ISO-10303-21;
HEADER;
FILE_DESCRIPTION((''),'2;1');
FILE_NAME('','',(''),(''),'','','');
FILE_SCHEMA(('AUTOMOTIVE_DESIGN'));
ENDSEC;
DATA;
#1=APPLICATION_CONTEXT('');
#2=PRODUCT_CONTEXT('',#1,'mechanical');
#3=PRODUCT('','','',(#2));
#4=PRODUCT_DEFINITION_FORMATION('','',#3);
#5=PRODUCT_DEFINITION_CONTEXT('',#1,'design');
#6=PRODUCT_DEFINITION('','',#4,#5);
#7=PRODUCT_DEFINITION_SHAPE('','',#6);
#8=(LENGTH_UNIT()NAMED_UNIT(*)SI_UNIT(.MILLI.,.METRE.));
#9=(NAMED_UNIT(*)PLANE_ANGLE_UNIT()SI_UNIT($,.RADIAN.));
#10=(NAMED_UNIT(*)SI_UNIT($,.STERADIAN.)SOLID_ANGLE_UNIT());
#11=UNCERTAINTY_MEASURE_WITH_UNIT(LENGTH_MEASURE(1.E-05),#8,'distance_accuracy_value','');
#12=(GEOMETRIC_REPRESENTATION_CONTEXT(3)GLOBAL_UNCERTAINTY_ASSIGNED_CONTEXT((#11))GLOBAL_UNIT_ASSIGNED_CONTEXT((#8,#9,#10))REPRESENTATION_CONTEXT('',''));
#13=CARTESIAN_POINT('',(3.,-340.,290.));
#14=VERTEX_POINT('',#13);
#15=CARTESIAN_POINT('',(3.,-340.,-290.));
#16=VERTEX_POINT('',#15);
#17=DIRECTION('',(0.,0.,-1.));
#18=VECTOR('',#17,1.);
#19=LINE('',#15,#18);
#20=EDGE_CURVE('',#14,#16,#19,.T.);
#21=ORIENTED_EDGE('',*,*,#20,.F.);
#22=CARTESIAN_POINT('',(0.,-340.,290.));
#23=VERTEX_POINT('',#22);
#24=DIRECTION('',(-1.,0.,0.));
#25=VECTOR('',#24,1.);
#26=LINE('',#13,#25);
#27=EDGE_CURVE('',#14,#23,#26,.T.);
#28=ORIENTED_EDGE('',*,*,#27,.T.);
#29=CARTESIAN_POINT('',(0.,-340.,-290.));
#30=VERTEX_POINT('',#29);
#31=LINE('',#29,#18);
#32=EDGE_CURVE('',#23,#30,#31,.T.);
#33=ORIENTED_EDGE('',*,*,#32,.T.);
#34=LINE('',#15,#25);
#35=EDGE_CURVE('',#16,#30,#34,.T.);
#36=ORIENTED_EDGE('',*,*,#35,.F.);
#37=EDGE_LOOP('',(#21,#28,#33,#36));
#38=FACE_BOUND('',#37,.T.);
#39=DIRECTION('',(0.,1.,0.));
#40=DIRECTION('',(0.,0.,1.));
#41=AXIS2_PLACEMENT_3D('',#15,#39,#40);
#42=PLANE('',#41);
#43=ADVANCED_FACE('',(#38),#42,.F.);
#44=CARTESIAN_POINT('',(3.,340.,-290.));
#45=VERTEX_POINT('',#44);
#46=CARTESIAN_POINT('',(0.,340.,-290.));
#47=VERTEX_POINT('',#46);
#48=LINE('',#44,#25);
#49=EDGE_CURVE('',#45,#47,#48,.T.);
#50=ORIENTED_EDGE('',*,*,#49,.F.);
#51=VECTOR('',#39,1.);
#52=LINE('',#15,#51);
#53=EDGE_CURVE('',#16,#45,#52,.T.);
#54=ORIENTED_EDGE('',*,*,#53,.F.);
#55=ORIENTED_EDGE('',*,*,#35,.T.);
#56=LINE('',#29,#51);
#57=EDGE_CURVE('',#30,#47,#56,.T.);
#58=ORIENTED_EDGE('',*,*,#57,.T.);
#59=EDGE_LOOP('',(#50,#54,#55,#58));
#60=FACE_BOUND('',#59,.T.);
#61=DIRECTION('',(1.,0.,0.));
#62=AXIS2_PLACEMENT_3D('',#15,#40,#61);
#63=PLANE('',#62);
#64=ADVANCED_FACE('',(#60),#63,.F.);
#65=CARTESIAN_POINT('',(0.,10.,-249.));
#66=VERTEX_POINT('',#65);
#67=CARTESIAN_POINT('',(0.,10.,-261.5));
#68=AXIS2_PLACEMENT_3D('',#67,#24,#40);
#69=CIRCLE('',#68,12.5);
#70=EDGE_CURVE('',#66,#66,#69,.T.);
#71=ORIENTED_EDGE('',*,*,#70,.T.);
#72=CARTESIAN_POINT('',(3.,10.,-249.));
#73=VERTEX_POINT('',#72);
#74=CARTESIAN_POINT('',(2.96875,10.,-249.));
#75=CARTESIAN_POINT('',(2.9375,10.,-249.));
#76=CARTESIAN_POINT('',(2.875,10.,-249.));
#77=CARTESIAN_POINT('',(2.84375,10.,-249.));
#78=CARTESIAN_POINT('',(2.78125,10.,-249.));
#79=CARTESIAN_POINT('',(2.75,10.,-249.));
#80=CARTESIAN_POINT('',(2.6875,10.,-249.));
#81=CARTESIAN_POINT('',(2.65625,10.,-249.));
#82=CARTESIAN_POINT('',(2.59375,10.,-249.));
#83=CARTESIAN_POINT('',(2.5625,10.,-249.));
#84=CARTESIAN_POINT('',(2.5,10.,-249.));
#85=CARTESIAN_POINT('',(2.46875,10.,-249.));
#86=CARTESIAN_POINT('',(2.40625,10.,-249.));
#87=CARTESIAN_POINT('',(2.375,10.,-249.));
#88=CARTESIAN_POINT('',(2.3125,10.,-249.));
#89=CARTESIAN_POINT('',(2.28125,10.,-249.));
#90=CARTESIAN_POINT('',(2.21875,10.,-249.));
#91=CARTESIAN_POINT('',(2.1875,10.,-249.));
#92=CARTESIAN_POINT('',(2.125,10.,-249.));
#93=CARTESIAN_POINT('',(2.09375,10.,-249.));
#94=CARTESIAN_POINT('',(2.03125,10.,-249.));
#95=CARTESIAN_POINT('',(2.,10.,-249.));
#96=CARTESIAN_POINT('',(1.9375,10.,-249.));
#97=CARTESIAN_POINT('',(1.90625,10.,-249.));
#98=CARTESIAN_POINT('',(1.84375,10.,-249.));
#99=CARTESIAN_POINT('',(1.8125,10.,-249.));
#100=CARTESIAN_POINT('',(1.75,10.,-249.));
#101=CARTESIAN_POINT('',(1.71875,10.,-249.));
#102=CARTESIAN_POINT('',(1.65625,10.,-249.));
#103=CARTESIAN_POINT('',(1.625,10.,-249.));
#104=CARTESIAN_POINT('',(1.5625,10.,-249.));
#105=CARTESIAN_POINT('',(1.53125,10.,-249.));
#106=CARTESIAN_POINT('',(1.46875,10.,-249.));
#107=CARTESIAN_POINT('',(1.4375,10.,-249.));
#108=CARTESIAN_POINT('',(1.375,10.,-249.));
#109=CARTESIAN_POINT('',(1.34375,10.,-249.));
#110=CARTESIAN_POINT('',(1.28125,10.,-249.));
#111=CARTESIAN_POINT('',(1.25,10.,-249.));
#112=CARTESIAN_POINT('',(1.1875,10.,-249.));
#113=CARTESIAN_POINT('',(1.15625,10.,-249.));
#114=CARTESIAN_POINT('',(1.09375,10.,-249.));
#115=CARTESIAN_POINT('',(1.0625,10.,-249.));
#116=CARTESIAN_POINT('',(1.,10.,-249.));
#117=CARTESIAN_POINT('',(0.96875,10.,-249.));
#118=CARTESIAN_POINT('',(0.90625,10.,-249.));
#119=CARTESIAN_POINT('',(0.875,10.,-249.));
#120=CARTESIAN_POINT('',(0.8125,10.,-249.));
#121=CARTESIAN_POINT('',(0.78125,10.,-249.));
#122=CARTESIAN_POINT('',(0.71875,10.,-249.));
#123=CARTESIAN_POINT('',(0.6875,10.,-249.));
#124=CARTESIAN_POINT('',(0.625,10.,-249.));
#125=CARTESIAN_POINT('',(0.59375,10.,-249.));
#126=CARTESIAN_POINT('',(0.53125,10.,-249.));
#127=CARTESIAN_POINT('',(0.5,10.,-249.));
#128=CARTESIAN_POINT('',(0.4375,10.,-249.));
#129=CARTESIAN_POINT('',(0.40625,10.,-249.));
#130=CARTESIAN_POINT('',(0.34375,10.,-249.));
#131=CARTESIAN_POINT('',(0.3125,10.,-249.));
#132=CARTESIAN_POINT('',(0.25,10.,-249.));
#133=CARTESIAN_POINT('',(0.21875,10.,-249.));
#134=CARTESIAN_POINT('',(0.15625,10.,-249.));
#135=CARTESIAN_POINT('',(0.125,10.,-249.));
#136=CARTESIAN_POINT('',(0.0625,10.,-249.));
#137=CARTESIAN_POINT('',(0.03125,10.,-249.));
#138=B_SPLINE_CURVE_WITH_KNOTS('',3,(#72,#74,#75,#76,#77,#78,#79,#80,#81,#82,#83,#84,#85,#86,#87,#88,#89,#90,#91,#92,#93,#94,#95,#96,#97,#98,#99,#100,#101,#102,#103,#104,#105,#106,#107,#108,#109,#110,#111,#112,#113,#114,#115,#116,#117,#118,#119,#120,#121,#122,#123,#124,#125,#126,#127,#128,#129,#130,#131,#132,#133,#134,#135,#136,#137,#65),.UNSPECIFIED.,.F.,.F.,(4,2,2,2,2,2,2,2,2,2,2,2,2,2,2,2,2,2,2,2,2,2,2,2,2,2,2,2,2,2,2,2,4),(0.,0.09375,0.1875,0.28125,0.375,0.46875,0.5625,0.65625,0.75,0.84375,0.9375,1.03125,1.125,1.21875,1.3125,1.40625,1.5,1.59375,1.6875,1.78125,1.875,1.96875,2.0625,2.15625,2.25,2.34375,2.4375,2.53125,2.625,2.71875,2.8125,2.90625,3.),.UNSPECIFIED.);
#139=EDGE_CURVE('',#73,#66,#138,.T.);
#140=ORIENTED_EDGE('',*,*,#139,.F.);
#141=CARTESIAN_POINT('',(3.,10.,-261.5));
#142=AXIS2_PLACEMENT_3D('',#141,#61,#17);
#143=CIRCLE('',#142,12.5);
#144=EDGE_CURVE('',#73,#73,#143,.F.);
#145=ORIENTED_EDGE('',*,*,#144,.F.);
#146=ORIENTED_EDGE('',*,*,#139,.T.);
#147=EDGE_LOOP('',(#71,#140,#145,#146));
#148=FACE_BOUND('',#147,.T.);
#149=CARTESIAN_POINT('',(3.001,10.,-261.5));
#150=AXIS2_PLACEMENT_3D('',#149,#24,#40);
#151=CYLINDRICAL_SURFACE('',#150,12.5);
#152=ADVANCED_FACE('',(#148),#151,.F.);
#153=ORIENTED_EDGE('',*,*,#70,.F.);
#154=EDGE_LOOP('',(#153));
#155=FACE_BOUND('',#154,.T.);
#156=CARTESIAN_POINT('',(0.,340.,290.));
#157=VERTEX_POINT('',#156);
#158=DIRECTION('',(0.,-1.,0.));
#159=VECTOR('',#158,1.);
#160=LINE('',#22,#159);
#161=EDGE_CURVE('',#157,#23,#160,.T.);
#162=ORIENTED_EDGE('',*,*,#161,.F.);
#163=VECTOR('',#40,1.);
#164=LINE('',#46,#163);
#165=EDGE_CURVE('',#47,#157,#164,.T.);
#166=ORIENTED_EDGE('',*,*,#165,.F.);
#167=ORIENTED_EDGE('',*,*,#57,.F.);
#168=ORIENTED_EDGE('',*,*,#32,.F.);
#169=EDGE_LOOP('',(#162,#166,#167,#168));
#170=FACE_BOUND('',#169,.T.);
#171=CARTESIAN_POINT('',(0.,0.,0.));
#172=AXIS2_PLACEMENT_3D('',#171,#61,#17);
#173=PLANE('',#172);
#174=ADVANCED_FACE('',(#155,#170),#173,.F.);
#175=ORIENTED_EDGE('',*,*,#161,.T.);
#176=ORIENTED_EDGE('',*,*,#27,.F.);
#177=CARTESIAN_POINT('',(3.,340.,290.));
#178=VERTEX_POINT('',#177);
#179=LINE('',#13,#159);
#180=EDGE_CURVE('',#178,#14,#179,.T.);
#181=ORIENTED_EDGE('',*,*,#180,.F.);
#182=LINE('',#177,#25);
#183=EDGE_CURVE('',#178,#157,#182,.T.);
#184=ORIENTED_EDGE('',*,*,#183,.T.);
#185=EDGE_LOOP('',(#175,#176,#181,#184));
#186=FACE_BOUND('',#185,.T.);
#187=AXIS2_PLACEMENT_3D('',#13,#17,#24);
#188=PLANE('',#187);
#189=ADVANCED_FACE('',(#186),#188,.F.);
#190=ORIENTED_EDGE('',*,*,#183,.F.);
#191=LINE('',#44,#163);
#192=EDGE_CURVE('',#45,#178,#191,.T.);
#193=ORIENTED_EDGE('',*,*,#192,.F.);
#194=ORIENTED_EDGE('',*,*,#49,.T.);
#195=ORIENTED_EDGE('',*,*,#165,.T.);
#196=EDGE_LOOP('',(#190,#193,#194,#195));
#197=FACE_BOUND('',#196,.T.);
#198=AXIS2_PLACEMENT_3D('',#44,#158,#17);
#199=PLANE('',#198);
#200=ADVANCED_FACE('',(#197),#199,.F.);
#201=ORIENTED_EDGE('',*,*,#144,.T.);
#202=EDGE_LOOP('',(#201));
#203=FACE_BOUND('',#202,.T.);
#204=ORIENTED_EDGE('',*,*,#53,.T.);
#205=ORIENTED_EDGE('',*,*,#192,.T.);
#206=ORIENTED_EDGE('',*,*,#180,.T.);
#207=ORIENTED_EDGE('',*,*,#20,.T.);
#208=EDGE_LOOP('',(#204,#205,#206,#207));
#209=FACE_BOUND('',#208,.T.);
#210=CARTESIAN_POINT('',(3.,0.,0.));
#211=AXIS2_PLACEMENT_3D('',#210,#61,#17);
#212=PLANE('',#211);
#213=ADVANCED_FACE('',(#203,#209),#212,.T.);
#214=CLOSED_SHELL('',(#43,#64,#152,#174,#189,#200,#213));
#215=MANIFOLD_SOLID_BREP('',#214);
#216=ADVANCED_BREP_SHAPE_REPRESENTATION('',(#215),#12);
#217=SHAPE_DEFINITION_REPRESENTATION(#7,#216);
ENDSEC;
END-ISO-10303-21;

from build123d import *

# Parameters (mm, degrees)
CROQUIS1_W              = 580
CROQUIS1_H              = 680
SALIENTE_EXTRUIR1_DEPTH = 3
CORTAR_EXTRUIR1_REACH   = 448.888
CROQUIS2_R              = 12.5


with BuildPart() as part:
    # Croquis1 → Saliente-Extruir1 (new body)
    with BuildSketch(Plane(origin=(0, 0, 0), x_dir=(0, 0, -1), z_dir=(1, 0, 0))):
        Rectangle(CROQUIS1_W, CROQUIS1_H)
    extrude(amount=SALIENTE_EXTRUIR1_DEPTH)

    # Croquis2 → Cortar-Extruir1 (cut, up to next)
    with BuildSketch(Plane.ZY, mode=Mode.PRIVATE) as cortar_extruir1_sk1:
        with Locations((-261.5, 10)):
            Circle(CROQUIS2_R)
    cortar_extruir1_tool1 = extrude(cortar_extruir1_sk1.sketch, amount=-CORTAR_EXTRUIR1_REACH, mode=Mode.PRIVATE) & part.part
    add(cortar_extruir1_tool1.solids().sort_by_distance((0, 10, -261.5))[0], mode=Mode.SUBTRACT)


solid = part.part
